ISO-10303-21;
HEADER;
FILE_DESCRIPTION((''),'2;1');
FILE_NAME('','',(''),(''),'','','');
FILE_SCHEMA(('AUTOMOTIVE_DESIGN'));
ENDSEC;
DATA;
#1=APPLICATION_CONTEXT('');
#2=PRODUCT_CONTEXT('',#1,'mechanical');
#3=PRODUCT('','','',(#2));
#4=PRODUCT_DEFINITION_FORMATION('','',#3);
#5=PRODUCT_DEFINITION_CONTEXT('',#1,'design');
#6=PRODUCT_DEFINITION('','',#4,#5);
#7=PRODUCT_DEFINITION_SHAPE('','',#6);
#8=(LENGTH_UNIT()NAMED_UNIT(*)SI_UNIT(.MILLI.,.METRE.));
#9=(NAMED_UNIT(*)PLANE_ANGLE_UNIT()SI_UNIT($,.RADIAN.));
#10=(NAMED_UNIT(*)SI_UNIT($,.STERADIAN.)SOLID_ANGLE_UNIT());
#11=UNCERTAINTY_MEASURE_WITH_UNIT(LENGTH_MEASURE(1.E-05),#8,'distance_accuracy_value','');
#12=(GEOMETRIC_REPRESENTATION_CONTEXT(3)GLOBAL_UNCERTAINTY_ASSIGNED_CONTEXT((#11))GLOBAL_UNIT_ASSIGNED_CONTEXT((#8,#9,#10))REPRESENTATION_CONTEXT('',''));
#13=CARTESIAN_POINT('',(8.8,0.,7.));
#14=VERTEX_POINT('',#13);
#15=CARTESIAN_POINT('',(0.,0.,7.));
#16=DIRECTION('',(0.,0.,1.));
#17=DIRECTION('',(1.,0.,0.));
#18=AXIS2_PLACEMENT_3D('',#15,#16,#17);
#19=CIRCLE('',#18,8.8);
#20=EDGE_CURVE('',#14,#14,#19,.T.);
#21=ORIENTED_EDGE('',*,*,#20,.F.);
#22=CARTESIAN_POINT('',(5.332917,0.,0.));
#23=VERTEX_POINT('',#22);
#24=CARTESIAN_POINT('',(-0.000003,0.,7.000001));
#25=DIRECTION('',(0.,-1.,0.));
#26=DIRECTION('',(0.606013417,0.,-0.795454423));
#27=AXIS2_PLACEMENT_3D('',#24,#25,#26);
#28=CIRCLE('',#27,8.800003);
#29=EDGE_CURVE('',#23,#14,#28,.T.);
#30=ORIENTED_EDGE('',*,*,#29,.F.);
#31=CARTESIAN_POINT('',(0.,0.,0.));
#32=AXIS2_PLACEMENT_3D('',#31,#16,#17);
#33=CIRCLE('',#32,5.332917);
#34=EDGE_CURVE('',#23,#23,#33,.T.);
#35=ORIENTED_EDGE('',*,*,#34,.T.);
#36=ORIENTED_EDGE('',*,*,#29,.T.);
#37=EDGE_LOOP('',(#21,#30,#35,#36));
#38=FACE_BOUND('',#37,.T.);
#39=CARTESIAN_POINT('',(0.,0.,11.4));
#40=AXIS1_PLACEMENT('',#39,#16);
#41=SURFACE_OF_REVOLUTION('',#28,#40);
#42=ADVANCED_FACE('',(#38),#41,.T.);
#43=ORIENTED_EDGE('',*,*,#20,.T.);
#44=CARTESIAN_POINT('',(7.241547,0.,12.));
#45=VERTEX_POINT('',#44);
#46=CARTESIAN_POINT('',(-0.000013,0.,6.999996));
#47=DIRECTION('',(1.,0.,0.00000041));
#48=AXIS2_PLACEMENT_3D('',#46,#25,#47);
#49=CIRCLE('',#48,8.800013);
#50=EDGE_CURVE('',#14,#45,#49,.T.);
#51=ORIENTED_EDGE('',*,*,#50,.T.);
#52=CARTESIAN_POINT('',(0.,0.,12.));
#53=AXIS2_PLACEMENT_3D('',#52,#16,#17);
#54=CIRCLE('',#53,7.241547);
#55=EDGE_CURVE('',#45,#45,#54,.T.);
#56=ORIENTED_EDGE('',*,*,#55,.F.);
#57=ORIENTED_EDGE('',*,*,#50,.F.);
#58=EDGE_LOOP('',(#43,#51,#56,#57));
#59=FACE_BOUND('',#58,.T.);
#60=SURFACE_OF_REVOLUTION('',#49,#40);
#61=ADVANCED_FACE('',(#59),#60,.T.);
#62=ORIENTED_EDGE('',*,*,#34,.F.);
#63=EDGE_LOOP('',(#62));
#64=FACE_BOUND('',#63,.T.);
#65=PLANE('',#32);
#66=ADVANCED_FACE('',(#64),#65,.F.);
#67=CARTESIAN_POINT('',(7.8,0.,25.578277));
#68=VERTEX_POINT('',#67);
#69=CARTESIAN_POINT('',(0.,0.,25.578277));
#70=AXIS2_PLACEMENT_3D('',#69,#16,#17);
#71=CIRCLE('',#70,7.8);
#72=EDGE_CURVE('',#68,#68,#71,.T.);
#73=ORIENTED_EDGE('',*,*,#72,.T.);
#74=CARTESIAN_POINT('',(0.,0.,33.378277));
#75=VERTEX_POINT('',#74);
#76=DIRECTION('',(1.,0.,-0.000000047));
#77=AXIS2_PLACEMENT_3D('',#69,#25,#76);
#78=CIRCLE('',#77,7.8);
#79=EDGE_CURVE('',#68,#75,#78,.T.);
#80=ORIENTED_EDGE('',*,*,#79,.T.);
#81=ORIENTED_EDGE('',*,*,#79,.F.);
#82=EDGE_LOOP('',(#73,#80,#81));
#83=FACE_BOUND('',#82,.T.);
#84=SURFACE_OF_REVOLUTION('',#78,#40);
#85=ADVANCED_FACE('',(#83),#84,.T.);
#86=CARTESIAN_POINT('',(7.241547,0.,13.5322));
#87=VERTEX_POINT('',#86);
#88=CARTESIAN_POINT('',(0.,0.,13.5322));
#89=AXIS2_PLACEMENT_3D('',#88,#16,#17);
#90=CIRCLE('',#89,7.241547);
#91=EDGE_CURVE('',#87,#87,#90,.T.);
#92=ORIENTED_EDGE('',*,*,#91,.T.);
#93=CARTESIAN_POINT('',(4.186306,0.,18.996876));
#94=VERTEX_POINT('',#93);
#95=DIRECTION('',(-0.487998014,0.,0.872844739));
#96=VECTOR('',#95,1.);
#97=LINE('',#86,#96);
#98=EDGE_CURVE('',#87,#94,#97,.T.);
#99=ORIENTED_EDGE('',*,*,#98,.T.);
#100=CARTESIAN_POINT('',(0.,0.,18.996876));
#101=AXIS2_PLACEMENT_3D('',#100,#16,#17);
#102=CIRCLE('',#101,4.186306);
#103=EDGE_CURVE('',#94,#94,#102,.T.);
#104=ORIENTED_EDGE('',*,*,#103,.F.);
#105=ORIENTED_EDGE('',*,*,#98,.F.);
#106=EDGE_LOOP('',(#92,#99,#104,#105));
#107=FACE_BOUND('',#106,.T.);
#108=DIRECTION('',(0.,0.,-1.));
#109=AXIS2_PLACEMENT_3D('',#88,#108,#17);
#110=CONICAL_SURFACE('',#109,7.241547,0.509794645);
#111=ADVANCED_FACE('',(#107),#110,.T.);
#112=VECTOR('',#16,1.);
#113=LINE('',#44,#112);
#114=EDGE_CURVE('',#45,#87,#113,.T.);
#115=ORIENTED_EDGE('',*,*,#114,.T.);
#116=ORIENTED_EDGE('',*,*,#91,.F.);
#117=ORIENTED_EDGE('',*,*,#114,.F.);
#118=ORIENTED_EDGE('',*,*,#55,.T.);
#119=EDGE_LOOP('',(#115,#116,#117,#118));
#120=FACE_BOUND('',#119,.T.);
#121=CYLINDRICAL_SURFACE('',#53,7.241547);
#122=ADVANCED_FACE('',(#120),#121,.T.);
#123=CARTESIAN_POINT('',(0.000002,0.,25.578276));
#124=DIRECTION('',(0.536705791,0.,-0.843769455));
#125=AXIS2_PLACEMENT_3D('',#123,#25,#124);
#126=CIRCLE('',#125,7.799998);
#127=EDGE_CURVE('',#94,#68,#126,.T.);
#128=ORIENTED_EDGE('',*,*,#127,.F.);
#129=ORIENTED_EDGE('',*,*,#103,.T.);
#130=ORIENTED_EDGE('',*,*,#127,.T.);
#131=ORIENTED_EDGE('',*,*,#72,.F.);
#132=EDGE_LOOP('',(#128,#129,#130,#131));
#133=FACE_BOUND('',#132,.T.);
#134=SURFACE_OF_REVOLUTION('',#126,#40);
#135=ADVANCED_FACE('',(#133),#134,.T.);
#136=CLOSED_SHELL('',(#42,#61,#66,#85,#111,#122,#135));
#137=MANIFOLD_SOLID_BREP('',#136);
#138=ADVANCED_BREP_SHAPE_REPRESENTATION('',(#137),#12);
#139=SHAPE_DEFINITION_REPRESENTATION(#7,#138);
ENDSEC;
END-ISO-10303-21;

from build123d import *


with BuildPart() as f1:
    # F0 (on Front) → F1 (revolve)
    with BuildSketch(Plane.XZ):
        with BuildLine():
            Line((0, 7), (0, 0))
            Line((0, 0), (5.332917, 0))
            ThreePointArc((5.332917, 0), (7.885736, 3.094214), (8.8, 7))
            ThreePointArc((8.8, 7), (8.401357, 9.618624), (7.241547, 12))
            Line((7.241547, 12), (0, 12))
            Line((0, 12), (0, 7))
        make_face()
        with BuildLine():
            Line((0, 15.8), (0, 12))
            Line((0, 12), (7.241547, 12))
            ThreePointArc((7.241547, 12), (4.08901, 14.792304), (0, 15.8))
        make_face()
        with BuildLine():
            Line((0, 17.778277), (0, 15.8))
            ThreePointArc((0, 15.8), (4.08901, 14.792304), (7.241547, 12))
            Line((7.241547, 12), (7.241547, 13.5322))
            Line((7.241547, 13.5322), (4.186306, 18.996876))
            ThreePointArc((4.186306, 18.996876), (2.180031, 18.08912), (0, 17.778277))
        make_face()
        with BuildLine():
            Line((0, 25.578277), (0, 17.778277))
            ThreePointArc((0, 17.778277), (2.180031, 18.08912), (4.186306, 18.996876))
            ThreePointArc((4.186306, 18.996876), (6.837148, 21.824158), (7.8, 25.578277))
            ThreePointArc((7.8, 25.578277), (5.515433, 31.09371), (0, 33.378277))
            Line((0, 33.378277), (0, 25.578277))
        make_face()
    revolve(axis=Axis((0, 0, 11.4), (0, 0, 1)))


solid = f1.part
